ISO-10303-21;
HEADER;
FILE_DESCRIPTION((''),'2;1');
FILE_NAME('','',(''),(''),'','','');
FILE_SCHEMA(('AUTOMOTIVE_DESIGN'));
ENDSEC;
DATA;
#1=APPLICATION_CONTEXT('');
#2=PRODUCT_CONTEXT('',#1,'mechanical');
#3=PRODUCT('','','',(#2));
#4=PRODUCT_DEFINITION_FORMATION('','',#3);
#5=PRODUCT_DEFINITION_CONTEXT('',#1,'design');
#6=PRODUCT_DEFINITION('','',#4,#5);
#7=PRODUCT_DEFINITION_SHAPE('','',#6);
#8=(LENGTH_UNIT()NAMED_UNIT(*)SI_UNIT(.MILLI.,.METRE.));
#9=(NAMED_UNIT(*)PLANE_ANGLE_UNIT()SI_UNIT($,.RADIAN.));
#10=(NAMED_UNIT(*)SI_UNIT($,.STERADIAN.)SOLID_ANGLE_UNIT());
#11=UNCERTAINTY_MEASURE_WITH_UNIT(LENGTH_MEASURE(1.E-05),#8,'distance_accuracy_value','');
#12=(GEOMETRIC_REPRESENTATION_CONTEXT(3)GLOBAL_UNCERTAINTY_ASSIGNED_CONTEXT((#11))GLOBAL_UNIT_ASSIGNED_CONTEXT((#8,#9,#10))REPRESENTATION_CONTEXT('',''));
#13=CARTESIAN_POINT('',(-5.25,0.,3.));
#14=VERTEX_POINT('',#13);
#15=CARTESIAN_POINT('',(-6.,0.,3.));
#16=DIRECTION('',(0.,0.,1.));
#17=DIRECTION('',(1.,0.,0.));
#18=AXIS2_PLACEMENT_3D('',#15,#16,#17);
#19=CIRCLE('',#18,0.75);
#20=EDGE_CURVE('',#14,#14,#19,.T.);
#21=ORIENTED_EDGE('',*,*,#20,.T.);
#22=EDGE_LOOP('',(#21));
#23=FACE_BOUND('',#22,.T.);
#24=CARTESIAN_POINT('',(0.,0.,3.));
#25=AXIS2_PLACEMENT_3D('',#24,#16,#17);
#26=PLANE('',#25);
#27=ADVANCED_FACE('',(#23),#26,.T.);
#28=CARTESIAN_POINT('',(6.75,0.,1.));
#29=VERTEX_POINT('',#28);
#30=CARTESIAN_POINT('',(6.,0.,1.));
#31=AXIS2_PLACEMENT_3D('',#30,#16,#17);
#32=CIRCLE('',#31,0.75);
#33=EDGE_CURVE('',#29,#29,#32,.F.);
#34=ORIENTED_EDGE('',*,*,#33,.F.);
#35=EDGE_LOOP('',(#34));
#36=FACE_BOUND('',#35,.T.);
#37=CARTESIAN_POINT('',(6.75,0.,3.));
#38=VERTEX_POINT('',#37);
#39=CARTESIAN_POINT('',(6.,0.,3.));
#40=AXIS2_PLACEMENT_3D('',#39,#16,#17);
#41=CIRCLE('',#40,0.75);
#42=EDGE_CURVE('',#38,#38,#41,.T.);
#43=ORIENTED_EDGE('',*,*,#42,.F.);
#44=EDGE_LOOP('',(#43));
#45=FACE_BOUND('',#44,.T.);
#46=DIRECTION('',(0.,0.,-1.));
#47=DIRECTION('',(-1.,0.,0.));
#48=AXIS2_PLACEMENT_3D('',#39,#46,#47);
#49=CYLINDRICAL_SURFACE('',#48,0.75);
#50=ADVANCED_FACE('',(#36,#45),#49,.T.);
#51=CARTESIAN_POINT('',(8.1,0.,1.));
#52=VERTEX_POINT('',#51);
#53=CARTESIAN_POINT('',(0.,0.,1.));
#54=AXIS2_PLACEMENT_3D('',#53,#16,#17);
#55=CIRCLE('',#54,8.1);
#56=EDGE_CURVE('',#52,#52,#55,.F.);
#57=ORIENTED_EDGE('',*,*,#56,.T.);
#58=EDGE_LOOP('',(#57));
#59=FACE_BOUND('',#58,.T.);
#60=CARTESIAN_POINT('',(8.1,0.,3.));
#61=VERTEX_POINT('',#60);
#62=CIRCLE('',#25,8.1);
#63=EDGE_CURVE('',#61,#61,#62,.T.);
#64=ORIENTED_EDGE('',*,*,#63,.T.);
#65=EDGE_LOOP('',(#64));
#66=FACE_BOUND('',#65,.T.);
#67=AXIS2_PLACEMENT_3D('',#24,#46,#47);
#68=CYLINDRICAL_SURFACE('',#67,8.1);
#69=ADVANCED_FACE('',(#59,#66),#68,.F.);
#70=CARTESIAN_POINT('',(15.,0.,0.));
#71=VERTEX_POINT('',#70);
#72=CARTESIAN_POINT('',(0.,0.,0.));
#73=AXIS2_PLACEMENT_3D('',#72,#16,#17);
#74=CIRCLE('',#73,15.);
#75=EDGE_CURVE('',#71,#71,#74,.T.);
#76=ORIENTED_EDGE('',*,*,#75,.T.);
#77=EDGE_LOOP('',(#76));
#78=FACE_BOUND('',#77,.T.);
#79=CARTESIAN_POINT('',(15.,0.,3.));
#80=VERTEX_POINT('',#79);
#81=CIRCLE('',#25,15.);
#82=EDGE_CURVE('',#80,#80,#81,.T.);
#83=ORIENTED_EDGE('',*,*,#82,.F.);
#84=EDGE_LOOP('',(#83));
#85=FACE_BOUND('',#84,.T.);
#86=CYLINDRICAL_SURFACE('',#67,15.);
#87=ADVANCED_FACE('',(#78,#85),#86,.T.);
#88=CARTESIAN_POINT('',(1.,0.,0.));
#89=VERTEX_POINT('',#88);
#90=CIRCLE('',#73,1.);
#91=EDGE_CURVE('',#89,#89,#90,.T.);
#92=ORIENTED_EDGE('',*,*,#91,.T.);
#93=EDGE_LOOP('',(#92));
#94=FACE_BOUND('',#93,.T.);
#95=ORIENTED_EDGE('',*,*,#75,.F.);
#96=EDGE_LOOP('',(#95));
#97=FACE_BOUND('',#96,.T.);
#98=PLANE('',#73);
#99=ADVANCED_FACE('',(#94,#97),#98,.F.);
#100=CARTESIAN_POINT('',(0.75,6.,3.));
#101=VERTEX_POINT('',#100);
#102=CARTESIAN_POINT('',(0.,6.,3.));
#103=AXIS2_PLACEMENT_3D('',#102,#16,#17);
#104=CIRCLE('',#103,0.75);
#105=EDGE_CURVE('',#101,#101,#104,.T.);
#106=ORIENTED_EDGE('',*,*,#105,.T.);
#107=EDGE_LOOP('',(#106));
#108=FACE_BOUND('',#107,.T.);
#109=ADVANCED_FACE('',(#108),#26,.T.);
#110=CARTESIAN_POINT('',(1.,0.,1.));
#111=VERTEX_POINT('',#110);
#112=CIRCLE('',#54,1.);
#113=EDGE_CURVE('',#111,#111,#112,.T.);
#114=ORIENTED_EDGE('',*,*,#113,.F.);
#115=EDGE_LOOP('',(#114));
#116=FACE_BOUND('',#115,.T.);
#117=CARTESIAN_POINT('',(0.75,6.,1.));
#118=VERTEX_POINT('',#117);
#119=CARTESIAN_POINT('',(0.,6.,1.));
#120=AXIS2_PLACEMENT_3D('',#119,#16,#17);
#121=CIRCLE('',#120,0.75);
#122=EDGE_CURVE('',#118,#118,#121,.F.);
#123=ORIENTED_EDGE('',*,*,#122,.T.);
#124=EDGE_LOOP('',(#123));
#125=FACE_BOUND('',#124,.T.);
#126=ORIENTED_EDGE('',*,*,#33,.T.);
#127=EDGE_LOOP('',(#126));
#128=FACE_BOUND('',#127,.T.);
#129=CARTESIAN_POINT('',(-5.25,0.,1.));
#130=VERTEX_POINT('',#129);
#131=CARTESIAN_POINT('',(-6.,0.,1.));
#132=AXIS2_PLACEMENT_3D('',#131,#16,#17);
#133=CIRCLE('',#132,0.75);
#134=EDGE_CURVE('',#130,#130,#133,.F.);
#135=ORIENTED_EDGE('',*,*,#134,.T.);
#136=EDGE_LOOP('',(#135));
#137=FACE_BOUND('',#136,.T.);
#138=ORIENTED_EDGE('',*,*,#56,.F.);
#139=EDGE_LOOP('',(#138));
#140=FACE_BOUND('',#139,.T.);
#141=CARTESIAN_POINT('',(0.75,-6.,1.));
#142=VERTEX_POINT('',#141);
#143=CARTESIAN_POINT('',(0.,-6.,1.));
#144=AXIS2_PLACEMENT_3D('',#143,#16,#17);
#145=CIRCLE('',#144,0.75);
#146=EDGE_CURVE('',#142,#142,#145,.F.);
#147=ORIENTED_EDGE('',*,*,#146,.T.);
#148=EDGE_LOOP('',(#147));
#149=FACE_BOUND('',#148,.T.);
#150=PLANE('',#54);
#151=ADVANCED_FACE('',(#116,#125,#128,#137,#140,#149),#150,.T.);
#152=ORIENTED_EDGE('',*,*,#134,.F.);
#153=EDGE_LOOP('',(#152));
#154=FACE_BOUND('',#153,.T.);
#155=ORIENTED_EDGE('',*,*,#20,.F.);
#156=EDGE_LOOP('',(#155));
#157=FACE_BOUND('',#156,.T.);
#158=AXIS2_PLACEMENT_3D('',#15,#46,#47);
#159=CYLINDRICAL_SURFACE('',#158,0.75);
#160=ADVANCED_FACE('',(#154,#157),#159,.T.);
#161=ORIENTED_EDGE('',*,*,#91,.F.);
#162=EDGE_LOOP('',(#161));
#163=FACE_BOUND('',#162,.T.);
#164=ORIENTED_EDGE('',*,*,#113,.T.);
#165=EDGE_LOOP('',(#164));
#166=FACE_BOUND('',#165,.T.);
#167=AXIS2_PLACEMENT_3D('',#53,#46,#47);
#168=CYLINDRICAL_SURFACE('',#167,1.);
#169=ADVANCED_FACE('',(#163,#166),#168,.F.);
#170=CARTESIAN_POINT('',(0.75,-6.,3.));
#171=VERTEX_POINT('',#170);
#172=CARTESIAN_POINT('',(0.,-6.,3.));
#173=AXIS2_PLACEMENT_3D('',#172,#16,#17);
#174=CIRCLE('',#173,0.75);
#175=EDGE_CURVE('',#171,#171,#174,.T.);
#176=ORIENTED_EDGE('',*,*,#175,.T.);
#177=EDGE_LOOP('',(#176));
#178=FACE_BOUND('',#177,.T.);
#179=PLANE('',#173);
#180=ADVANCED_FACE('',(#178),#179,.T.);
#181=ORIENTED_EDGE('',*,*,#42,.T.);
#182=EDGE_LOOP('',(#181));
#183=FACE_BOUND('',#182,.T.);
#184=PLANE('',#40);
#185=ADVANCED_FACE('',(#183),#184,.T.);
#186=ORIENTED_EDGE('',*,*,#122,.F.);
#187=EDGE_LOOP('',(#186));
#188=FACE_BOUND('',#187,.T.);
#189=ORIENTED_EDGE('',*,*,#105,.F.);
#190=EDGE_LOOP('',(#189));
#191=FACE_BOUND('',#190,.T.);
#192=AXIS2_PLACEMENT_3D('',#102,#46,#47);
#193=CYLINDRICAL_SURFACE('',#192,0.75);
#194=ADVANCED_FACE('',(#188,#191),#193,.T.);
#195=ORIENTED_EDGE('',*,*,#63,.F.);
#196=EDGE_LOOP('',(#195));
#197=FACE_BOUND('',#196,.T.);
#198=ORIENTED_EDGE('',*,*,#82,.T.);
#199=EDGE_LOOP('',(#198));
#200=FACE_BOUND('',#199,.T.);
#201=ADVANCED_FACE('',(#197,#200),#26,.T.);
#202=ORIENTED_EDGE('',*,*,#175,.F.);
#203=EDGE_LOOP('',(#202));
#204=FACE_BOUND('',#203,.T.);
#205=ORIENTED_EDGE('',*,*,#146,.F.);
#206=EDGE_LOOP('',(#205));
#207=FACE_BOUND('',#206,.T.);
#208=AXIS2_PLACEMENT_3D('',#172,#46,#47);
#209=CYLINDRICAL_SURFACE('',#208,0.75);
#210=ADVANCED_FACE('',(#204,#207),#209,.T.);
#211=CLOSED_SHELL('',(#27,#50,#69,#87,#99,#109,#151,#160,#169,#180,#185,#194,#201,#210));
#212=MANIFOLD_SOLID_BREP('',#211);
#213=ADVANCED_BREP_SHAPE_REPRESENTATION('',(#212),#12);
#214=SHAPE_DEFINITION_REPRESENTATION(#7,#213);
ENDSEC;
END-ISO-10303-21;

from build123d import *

# Parameters (mm, degrees)
SKETCH1_R           = 8.1
SKETCH1_R_2         = 1
BOSS_EXTRUDE1_DEPTH = 1
SKETCH1_3_R         = 15
SKETCH1_3_R_2       = 8.1
SKETCH1_3_R_3       = 0.75
BOSS_EXTRUDE2_DEPTH = 3


with BuildPart() as part:
    # Sketch1 → Boss-Extrude1 (new body)
    with BuildSketch(Plane.XY):
        Circle(SKETCH1_R)
        Circle(SKETCH1_R_2, mode=Mode.SUBTRACT)
    extrude(amount=BOSS_EXTRUDE1_DEPTH)

    # Sketch1<3> → Boss-Extrude2 (add)
    # profile 1 of 5: a face of its own
    with BuildSketch(Plane.XY):
        Circle(SKETCH1_3_R)
        Circle(SKETCH1_3_R_2, mode=Mode.SUBTRACT)
    # profile 2 of 5: a face of its own
    with BuildSketch(Plane.XY):
        with Locations((-6, 0)):
            Circle(SKETCH1_3_R_3)
    # profile 3 of 5: a face of its own
    with BuildSketch(Plane.XY):
        with Locations((0, -6)):
            Circle(SKETCH1_3_R_3)
    # profile 4 of 5: a face of its own
    with BuildSketch(Plane.XY):
        with Locations((6, 0)):
            Circle(SKETCH1_3_R_3)
    # profile 5 of 5: a face of its own
    with BuildSketch(Plane.XY):
        with Locations((0, 6)):
            Circle(SKETCH1_3_R_3)
    extrude(amount=BOSS_EXTRUDE2_DEPTH)


solid = part.part
